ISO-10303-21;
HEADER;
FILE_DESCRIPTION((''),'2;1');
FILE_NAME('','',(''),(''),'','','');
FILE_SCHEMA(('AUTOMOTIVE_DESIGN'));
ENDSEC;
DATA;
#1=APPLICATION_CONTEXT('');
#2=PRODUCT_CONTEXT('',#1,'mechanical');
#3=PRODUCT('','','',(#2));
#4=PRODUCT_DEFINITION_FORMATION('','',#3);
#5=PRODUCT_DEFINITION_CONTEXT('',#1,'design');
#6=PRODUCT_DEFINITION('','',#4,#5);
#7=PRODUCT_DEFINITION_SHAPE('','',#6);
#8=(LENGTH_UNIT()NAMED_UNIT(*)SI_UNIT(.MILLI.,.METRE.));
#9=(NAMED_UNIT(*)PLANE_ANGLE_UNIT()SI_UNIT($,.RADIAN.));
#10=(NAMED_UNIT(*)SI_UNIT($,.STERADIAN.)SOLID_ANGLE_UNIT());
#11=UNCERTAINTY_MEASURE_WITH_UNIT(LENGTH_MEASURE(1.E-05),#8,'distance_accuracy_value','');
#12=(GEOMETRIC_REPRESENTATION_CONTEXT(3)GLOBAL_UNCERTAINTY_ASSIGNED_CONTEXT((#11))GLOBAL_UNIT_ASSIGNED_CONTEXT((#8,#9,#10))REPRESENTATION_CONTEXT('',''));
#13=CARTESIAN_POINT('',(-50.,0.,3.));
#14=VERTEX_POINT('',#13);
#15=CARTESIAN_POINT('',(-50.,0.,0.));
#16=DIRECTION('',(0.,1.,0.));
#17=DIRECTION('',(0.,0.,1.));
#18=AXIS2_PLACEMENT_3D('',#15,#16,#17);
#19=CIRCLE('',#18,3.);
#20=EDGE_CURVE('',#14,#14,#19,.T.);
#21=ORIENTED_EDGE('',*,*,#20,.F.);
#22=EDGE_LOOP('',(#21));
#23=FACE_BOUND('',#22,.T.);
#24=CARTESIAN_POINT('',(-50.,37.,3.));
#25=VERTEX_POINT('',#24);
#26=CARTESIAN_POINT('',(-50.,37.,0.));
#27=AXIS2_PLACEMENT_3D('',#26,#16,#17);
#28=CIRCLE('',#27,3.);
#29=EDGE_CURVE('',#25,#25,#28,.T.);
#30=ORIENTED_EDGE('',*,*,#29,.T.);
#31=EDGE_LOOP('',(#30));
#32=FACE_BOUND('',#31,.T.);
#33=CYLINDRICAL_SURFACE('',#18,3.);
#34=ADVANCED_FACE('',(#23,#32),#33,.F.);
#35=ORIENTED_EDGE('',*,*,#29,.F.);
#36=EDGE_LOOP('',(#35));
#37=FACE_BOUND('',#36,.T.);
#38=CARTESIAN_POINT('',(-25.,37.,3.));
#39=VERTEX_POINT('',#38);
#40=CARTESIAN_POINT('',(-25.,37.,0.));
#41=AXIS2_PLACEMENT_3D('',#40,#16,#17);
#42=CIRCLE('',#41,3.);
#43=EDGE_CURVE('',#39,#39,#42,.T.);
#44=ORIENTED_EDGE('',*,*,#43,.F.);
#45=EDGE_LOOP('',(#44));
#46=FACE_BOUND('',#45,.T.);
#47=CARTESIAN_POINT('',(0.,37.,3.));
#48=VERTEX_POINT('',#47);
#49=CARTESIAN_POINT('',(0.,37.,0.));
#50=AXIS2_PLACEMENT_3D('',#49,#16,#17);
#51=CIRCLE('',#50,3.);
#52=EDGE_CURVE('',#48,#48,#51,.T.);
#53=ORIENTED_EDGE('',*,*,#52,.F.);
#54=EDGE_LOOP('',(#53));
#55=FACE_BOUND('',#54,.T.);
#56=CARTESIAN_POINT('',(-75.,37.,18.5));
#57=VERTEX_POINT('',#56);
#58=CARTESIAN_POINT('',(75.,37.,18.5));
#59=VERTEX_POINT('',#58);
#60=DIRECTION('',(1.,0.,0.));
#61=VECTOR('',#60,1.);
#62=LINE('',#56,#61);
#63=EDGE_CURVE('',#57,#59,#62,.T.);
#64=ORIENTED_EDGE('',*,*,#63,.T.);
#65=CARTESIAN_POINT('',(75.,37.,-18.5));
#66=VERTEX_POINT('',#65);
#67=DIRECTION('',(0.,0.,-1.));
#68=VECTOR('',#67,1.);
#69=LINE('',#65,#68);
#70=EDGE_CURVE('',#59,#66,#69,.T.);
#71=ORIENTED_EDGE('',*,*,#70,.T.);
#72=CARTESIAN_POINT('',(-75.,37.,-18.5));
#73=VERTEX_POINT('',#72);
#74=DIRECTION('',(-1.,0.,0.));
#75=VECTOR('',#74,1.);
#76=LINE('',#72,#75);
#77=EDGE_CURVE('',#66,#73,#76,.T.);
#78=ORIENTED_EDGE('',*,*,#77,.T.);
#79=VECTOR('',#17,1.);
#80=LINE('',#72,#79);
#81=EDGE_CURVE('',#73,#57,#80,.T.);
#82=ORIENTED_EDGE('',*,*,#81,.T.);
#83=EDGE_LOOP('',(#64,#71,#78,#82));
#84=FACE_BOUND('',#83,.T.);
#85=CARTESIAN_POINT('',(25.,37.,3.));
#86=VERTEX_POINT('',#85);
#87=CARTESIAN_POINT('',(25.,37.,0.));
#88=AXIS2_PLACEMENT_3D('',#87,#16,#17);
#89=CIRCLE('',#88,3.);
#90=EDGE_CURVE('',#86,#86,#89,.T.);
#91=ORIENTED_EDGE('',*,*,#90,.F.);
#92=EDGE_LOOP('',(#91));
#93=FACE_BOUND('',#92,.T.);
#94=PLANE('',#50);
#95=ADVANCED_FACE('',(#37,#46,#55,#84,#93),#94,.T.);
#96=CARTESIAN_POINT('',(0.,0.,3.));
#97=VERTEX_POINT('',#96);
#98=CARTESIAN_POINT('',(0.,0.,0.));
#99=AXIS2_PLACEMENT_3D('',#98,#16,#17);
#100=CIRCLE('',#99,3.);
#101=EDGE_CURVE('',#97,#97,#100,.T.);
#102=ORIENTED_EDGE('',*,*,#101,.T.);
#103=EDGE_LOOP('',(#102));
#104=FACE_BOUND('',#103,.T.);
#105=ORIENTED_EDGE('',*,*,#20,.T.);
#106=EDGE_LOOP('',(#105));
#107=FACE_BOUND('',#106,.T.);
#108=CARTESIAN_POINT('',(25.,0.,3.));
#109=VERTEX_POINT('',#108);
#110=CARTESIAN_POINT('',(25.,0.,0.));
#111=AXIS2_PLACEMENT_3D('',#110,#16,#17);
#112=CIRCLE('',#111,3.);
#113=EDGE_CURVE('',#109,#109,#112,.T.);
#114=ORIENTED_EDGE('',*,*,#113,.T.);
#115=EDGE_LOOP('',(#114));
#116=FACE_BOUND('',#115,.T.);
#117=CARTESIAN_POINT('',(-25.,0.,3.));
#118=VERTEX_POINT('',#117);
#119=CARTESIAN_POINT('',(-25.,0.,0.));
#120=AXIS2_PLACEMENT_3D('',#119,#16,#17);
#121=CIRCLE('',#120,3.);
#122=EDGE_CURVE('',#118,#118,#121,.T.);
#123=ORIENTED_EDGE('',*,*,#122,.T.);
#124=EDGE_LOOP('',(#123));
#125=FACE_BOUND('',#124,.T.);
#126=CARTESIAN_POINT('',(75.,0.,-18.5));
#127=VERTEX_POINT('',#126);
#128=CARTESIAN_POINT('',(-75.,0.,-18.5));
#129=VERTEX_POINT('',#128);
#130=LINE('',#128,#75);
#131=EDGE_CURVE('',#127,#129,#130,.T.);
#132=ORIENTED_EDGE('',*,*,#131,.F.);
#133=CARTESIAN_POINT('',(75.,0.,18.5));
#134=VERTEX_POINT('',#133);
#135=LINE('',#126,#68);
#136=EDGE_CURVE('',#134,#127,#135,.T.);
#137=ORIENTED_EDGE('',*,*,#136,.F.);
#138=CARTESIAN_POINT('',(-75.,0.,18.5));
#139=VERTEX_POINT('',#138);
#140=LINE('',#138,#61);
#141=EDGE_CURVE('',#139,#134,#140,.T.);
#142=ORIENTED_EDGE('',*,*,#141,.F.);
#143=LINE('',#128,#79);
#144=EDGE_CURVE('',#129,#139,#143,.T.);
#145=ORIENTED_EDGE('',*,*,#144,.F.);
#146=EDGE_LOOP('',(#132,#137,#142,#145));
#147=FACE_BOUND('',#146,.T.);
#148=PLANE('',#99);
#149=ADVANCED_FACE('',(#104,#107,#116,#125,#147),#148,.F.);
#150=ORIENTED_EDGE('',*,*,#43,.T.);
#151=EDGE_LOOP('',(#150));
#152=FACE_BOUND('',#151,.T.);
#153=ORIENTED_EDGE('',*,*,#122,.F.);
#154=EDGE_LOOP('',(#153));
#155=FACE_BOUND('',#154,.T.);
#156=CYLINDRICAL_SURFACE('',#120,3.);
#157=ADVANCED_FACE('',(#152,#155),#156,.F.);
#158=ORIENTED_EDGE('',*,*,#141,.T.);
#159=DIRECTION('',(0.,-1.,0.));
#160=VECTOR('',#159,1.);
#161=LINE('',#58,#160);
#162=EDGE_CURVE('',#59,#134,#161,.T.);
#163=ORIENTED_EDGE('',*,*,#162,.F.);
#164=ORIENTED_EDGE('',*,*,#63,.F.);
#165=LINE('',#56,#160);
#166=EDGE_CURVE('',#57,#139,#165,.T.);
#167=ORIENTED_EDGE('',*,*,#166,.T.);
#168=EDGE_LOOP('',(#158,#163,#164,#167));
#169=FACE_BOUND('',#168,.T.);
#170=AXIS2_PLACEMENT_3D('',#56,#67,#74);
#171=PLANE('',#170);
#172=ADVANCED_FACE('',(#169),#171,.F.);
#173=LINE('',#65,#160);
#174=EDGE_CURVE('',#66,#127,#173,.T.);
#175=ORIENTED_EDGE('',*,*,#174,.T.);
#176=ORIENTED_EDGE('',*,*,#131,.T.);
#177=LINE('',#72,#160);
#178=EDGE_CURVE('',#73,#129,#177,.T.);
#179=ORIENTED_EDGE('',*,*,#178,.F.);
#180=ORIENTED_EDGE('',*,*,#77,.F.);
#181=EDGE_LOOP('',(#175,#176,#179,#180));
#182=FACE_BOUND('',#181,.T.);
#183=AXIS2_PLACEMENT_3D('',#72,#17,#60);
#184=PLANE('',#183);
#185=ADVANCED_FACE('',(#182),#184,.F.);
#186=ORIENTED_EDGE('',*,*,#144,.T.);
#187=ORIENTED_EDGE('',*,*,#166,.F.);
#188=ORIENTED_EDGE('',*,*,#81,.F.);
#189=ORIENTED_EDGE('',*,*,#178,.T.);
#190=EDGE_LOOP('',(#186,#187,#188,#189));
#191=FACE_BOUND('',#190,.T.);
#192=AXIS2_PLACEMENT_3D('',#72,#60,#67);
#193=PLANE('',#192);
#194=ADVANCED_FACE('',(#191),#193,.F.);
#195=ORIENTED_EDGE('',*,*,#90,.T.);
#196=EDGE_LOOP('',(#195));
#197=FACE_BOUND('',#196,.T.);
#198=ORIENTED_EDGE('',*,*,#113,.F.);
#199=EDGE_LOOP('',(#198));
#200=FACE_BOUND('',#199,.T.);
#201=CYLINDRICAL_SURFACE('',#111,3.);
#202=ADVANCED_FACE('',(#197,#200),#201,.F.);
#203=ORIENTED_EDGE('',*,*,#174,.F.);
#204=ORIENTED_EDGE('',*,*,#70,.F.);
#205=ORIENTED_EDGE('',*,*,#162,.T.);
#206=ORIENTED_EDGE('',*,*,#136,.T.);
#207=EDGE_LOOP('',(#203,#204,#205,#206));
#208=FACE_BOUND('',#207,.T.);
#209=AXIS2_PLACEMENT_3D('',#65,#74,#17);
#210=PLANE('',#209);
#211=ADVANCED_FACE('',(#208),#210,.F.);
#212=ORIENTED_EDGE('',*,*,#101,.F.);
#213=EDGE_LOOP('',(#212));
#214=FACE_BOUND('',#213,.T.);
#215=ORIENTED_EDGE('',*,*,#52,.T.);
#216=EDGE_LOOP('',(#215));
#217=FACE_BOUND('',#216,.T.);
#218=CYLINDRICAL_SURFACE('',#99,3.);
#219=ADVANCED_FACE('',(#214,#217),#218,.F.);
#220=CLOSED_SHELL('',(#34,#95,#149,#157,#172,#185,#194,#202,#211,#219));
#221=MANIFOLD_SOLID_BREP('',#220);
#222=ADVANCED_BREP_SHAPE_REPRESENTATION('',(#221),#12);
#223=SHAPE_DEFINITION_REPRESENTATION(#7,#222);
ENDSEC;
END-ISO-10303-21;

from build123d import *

# Parameters (mm, degrees)
SKETCH1_W           = 150
SKETCH1_H           = 37
BOSS_EXTRUDE1_DEPTH = 37
SKETCH3_R           = 3
CUT_EXTRUDE1_DEPTH  = 37


with BuildPart() as part:
    # Sketch1 → Boss-Extrude1 (new body)
    with BuildSketch(Plane(origin=(0, 0, 0), x_dir=(1, 0, 0), z_dir=(0, 1, 0))):
        Rectangle(SKETCH1_W, SKETCH1_H)
    extrude(amount=BOSS_EXTRUDE1_DEPTH)

    # Sketch3 → Cut-Extrude1 (cut)
    with BuildSketch(Plane(origin=(0, 37, 0), x_dir=(1, 0, 0), z_dir=(0, 1, 0))):
        with Locations((-50, 0)):
            Circle(SKETCH3_R)
        with Locations((-25, 0)):
            Circle(SKETCH3_R)
        Circle(SKETCH3_R)
        with Locations((25, 0)):
            Circle(SKETCH3_R)
    extrude(amount=-CUT_EXTRUDE1_DEPTH, mode=Mode.SUBTRACT)


solid = part.part
